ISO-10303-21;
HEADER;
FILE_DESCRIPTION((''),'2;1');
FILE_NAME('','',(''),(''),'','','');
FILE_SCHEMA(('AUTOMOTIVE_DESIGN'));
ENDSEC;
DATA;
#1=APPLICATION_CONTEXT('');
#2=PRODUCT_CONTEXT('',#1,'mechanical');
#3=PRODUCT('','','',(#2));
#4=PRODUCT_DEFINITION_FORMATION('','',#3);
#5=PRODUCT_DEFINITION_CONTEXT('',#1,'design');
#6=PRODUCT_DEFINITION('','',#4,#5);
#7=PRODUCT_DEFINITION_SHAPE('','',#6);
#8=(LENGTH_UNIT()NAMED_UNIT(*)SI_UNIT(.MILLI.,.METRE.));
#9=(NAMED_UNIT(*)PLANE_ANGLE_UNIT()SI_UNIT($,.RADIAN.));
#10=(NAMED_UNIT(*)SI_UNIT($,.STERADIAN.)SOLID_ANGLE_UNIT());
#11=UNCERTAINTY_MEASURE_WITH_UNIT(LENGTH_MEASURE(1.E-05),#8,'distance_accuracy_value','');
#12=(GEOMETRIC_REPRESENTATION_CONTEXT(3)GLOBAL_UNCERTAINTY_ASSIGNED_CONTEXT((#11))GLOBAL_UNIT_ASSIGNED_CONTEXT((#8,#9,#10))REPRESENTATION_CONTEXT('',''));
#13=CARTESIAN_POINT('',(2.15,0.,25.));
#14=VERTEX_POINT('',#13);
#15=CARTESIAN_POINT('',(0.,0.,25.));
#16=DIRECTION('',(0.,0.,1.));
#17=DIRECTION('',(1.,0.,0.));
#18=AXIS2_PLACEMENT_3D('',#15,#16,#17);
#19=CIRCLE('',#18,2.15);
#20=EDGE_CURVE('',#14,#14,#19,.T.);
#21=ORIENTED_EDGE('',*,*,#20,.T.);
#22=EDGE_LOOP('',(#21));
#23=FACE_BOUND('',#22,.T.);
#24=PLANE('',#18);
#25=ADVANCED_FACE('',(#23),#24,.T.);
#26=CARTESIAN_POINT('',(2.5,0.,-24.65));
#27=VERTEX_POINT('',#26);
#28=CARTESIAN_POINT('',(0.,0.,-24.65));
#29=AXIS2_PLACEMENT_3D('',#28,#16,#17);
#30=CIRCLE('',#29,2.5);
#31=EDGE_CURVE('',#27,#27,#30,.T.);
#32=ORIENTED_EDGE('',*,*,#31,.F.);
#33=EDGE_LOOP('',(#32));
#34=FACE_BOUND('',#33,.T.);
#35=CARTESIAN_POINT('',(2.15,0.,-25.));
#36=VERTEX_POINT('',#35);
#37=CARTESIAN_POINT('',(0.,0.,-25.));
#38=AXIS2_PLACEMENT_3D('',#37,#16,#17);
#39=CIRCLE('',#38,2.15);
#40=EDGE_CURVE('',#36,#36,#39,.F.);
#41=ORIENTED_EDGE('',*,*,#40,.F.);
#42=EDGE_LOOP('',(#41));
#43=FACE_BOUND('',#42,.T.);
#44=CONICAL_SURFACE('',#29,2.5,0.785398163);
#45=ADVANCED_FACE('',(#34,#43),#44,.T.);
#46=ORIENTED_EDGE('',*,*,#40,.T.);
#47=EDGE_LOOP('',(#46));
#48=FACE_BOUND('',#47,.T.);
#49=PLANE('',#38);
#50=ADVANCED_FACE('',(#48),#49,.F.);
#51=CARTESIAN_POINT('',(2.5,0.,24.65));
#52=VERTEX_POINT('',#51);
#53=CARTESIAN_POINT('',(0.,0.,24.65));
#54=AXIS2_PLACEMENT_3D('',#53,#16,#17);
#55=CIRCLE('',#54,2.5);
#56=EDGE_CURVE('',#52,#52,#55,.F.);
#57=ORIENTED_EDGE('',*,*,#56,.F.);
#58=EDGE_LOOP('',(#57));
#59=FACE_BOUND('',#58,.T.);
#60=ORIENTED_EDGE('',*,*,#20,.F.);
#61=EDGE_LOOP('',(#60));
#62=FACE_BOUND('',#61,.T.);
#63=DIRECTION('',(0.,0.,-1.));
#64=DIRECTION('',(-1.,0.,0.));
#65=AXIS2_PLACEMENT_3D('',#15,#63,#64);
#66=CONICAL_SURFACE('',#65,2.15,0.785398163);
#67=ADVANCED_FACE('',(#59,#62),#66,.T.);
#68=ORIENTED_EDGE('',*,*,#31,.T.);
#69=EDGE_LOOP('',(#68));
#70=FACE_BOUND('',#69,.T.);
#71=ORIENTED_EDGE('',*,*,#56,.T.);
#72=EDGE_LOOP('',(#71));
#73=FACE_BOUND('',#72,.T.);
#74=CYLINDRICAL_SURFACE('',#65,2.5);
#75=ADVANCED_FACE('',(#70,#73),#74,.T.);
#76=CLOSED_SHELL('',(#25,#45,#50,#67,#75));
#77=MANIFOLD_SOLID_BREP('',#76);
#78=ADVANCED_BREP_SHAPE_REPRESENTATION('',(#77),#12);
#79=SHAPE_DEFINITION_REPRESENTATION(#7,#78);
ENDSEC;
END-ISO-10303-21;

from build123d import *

# Parameters (mm, degrees)
SKETCH3_R                = 2.5
BOSS_EXTRUDE1_DEPTH      = 25
BOSS_EXTRUDE1_DEPTH_BACK = 25
CHAMFER1_SIZE            = 0.35


with BuildPart() as part:
    # Sketch3 → Boss-Extrude1 (new body, two sides)
    with BuildSketch(Plane.XY) as boss_extrude1_sk:
        Circle(SKETCH3_R)
    extrude(amount=BOSS_EXTRUDE1_DEPTH)
    extrude(boss_extrude1_sk.sketch, amount=-BOSS_EXTRUDE1_DEPTH_BACK)

    # Chamfer1
    chamfer1_edges = [part.edges().sort_by_distance(p)[0] for p in [
        (-2.5, 0, -25),
        (-2.5, 0, 25),
    ]]
    chamfer(chamfer1_edges, length=CHAMFER1_SIZE)


solid = part.part
